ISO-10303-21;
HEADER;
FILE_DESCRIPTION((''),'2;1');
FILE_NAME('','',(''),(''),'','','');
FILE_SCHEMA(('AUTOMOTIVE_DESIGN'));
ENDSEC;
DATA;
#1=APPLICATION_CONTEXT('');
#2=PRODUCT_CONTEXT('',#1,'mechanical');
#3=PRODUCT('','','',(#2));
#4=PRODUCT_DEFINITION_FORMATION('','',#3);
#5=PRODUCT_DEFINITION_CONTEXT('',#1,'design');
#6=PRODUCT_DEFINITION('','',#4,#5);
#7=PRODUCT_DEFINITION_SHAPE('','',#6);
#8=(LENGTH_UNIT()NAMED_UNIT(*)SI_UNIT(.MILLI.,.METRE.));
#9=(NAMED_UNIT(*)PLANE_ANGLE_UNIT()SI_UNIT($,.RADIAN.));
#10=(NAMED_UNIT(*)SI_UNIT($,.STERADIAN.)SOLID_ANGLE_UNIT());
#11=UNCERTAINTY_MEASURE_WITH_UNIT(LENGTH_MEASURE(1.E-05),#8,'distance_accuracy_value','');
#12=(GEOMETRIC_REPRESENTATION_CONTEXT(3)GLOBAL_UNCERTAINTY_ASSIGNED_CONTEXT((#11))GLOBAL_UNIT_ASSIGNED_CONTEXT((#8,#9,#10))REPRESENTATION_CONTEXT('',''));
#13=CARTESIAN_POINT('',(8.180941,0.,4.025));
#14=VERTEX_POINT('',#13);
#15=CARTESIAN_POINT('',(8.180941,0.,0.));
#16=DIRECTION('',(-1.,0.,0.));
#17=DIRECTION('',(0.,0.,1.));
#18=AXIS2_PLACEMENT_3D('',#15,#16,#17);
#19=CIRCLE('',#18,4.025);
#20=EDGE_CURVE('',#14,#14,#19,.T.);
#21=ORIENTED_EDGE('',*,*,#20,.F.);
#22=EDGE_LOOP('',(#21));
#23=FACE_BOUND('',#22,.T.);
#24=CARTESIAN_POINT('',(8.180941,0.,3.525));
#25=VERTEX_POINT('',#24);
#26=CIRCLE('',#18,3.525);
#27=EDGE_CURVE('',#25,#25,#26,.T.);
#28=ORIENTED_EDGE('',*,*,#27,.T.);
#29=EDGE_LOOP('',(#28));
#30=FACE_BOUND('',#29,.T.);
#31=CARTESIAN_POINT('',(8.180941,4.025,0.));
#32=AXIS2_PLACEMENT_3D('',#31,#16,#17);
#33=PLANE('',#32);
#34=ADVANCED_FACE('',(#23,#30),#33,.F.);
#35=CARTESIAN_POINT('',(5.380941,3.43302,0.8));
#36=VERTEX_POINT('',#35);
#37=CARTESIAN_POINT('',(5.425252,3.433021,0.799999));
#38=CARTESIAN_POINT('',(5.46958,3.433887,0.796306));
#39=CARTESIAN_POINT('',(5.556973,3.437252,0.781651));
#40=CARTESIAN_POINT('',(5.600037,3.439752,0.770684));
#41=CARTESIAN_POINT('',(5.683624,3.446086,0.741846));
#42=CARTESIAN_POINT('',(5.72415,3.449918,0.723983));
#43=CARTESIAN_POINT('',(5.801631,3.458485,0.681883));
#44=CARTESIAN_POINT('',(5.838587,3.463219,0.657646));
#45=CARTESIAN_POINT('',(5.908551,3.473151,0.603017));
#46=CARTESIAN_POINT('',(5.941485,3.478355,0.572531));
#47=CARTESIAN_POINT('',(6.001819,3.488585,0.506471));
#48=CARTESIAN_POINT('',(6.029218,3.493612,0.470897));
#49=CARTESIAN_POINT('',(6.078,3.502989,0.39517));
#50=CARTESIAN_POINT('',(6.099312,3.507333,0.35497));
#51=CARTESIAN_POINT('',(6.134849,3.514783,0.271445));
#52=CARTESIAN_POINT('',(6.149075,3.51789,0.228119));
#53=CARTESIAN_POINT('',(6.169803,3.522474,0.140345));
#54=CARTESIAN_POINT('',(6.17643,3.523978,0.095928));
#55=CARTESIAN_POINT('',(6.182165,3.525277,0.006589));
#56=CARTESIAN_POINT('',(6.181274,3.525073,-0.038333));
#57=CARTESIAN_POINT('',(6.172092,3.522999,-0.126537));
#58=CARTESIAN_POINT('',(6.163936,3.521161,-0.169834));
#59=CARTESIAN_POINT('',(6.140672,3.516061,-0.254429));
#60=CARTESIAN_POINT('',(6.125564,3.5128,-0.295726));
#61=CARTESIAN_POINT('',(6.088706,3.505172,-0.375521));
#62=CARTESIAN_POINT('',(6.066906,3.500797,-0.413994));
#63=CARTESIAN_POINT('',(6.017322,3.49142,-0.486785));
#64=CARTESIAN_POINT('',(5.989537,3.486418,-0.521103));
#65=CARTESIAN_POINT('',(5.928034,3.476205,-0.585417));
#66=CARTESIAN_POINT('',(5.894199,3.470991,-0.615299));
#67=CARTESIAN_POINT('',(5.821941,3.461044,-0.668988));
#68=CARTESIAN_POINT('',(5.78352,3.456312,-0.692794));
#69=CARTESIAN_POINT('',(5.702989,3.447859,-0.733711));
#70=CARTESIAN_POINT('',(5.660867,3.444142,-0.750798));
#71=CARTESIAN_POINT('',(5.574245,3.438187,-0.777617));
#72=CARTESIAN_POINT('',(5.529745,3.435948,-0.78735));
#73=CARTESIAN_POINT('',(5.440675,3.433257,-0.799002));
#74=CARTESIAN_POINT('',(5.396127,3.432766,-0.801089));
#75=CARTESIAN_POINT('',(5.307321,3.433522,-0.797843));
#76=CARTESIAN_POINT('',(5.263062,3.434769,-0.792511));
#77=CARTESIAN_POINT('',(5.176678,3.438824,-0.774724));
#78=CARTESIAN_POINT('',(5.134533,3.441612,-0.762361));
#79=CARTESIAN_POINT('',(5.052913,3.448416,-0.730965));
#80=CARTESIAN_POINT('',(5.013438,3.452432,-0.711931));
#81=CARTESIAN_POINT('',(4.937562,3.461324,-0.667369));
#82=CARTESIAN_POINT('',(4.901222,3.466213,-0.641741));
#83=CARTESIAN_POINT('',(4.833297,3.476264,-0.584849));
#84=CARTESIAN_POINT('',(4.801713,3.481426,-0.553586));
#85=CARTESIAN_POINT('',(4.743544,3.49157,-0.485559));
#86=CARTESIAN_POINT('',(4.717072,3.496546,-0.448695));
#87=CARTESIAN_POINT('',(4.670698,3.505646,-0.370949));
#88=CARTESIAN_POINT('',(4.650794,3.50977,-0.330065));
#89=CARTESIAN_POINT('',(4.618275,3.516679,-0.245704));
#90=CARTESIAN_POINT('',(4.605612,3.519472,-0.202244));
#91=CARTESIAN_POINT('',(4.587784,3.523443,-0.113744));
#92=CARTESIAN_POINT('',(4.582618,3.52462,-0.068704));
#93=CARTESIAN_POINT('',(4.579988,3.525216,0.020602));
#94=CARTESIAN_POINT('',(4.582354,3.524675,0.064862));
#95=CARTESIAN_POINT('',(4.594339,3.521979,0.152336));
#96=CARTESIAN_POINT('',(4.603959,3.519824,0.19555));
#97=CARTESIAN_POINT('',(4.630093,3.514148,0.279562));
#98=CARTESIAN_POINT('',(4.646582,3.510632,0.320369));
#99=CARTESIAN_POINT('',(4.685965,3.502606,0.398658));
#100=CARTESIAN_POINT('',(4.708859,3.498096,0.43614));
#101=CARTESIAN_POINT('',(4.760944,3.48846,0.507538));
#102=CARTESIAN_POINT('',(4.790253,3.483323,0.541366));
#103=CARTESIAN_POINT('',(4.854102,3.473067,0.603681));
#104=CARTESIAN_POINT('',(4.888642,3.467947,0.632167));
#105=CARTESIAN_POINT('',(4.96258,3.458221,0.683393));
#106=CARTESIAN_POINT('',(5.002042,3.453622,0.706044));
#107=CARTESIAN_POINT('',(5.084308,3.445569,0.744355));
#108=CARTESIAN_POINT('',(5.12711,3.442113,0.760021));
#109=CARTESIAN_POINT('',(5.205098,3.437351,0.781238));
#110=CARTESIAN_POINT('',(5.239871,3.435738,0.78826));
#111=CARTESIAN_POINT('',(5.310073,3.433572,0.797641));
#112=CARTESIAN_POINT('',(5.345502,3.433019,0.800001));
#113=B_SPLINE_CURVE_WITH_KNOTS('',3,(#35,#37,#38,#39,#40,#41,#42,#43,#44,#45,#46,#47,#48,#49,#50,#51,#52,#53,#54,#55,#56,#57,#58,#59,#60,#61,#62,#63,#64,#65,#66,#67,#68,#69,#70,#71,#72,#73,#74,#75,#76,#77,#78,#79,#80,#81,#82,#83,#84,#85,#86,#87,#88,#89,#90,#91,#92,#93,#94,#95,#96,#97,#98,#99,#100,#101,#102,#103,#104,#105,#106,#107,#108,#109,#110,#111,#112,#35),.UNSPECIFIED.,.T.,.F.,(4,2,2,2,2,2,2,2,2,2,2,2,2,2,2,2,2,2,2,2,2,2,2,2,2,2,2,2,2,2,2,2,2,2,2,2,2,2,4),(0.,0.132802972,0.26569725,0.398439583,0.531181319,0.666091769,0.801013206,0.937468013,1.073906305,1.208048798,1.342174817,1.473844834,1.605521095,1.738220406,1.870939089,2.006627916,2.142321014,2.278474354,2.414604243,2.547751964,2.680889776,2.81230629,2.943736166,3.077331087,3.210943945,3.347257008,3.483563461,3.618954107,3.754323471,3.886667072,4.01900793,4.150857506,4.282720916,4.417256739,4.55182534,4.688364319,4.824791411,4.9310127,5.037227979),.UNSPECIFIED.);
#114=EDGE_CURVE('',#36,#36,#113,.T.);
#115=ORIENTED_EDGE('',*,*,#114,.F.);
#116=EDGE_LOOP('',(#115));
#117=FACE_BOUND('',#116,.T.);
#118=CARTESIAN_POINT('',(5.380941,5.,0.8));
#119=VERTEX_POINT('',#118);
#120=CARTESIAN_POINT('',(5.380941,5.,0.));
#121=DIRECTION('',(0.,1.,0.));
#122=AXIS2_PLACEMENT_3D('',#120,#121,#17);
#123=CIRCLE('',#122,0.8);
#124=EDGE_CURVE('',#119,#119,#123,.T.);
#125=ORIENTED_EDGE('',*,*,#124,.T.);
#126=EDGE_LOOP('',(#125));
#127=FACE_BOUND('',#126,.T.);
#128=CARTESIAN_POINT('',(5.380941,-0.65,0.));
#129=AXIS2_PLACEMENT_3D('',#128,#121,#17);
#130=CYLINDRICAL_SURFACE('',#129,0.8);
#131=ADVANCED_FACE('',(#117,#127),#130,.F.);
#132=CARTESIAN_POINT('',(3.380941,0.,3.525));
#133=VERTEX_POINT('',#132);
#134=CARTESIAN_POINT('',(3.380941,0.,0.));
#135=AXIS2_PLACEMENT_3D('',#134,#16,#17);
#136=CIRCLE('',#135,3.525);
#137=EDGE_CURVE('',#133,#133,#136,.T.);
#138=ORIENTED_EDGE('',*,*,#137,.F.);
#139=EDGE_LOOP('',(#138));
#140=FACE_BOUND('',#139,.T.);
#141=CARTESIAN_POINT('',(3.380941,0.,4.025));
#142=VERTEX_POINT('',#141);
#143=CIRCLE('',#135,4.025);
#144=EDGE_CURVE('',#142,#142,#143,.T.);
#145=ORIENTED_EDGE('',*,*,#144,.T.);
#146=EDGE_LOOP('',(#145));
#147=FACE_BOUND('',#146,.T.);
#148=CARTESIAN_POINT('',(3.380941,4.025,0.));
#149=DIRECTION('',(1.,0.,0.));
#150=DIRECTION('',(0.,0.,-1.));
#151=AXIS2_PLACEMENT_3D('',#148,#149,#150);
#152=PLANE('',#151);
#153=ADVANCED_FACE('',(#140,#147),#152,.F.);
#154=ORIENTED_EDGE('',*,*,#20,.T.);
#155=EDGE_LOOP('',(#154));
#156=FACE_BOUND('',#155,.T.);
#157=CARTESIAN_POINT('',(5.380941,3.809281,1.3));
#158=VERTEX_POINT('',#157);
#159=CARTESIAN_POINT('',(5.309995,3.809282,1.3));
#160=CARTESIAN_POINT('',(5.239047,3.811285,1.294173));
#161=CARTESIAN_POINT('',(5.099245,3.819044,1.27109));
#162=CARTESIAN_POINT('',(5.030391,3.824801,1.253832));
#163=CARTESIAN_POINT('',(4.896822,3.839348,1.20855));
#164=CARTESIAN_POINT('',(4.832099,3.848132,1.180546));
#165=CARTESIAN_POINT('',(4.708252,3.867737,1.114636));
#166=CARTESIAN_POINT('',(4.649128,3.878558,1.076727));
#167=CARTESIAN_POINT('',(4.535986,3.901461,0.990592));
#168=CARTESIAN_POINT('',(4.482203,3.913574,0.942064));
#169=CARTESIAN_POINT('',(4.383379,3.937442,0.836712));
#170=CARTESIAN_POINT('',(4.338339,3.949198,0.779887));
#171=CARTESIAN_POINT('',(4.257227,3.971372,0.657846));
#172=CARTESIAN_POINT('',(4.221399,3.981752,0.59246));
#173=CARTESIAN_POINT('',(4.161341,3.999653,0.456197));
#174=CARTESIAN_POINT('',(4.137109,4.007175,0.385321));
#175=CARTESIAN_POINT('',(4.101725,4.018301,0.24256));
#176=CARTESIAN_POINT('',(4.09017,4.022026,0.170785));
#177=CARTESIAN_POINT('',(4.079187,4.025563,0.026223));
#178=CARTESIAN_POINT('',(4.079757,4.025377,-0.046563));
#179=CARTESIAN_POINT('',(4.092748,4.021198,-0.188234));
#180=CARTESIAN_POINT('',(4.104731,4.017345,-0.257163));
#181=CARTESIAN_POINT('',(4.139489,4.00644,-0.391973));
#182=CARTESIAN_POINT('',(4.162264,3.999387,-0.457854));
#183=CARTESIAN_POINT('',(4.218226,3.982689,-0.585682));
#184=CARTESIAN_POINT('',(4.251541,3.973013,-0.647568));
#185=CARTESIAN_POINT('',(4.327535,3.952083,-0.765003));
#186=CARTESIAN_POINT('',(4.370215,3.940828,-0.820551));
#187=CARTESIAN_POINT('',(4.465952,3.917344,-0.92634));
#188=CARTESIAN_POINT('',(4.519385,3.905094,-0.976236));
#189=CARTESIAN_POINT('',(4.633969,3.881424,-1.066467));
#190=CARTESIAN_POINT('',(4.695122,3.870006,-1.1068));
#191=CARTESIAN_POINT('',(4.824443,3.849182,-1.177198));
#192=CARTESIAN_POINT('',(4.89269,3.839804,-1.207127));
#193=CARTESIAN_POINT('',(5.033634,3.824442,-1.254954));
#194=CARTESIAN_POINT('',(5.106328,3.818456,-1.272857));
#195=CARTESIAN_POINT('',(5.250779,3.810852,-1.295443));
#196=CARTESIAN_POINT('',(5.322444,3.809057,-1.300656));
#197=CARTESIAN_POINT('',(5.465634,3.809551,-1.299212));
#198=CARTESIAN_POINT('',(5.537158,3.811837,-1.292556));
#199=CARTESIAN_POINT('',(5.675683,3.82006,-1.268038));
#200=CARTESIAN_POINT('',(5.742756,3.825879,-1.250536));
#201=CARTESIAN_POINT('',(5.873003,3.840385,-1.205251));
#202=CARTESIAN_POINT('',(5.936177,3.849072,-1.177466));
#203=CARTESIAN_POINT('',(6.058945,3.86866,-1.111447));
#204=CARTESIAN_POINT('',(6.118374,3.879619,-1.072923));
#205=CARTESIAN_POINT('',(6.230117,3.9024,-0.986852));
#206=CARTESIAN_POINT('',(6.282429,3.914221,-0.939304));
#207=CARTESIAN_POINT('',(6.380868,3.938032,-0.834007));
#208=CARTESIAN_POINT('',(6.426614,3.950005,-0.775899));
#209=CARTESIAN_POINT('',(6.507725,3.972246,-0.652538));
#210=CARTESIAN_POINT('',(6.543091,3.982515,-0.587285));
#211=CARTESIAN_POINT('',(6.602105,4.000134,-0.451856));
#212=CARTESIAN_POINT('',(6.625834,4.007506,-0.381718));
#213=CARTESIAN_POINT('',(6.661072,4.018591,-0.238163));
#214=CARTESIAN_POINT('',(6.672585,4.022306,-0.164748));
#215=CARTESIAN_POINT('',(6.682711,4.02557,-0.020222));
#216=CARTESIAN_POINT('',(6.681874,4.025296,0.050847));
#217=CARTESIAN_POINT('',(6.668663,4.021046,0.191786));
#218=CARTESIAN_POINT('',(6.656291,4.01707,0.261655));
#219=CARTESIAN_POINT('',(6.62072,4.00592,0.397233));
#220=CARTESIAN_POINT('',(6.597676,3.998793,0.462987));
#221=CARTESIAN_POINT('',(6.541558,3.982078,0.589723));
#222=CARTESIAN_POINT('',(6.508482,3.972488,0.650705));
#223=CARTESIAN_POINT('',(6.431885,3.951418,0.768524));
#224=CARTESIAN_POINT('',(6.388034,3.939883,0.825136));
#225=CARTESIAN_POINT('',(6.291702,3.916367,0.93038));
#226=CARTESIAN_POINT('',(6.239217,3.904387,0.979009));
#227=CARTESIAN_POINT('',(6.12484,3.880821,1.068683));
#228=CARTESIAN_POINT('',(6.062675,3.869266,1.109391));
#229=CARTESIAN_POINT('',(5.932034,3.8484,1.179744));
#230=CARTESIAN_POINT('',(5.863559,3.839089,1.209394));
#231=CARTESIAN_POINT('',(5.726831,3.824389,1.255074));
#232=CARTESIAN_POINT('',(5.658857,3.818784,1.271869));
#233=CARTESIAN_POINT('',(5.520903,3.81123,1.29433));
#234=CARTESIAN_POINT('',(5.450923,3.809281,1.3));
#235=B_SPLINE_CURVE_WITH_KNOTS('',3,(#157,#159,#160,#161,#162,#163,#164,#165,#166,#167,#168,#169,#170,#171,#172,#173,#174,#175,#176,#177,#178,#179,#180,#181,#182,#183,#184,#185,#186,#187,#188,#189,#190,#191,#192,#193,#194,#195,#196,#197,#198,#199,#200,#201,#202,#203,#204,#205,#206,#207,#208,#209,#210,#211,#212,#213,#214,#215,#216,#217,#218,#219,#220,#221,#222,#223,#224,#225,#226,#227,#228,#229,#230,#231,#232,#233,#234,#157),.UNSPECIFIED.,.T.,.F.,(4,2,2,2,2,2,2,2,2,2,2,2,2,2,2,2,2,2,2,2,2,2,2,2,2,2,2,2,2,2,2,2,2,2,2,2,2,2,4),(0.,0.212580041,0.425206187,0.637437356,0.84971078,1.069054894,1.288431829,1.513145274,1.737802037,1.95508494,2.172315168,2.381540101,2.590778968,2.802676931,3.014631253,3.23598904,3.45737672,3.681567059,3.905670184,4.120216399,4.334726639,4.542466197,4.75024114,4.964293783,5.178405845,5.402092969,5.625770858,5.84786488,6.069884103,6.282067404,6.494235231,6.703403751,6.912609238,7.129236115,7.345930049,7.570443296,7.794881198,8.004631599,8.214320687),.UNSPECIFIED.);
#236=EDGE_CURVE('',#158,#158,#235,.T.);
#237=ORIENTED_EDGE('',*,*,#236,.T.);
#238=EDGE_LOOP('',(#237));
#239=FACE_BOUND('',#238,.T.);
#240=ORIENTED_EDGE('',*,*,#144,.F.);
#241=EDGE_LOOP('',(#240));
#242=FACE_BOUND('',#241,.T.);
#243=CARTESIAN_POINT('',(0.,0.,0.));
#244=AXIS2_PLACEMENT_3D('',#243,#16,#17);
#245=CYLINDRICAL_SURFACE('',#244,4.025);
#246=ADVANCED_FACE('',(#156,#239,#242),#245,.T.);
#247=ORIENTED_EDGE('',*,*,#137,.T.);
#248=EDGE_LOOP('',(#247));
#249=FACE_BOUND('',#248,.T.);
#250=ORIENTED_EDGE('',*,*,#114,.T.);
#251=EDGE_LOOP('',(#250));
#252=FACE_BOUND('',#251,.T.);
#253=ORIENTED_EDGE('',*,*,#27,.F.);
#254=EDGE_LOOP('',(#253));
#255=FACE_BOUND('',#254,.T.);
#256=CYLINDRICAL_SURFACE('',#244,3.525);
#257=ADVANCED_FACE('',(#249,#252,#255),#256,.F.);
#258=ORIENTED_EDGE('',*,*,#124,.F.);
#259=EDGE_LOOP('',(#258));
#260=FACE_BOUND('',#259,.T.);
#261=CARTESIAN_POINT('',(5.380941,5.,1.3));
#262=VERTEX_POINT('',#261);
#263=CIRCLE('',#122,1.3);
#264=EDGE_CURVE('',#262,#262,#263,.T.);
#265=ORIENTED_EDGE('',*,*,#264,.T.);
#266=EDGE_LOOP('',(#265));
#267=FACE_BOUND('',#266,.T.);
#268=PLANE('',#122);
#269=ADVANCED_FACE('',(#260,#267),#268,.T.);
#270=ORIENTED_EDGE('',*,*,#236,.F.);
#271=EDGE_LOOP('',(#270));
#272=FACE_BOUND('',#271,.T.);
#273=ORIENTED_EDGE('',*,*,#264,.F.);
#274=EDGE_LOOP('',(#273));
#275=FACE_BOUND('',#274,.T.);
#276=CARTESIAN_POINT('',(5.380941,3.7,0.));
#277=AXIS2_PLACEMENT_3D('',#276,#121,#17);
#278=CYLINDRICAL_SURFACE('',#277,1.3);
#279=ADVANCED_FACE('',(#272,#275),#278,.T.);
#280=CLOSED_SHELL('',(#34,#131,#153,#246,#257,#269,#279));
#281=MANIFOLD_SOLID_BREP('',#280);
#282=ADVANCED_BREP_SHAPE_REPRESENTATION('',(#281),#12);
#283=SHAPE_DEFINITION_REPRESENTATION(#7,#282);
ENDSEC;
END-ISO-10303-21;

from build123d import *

# Parameters (mm, degrees)
SKETCH_10_R         = 1.3
EXTRUDE_1_DEPTH     = 1.3
SKETCH_11_R         = 0.8
CUT_EXTRUDE_2_DEPTH = 5.65


with BuildPart() as part:
    # 草图1 → 旋转1 (revolve)
    with BuildSketch(Plane.XY):
        Polygon((3.380941288, 3.525), (4.357609697, 3.525), (4.769072518, 3.525), (8.180941288, 3.525), (8.180941288, 4.025), (7.380941288, 4.025), (3.380941288, 4.025), align=None)
    revolve(axis=Axis((0, 0, 0), (1, 0, 0)))

    # 草图10 → 凸台-拉伸1 (add)
    with BuildSketch(Plane(origin=(0, 5, 0), x_dir=(1, 0, 0), z_dir=(0, 1, 0))):
        with Locations((5.380941288, 0)):
            Circle(SKETCH_10_R)
    extrude(amount=-EXTRUDE_1_DEPTH)

    # 草图11 → 切除-拉伸2 (cut, symmetric)
    with BuildSketch(Plane(origin=(0, 5, 0), x_dir=(1, 0, 0), z_dir=(0, 1, 0))):
        with Locations((5.380941288, 0)):
            Circle(SKETCH_11_R)
    extrude(amount=CUT_EXTRUDE_2_DEPTH, both=True, mode=Mode.SUBTRACT)


solid = part.part
